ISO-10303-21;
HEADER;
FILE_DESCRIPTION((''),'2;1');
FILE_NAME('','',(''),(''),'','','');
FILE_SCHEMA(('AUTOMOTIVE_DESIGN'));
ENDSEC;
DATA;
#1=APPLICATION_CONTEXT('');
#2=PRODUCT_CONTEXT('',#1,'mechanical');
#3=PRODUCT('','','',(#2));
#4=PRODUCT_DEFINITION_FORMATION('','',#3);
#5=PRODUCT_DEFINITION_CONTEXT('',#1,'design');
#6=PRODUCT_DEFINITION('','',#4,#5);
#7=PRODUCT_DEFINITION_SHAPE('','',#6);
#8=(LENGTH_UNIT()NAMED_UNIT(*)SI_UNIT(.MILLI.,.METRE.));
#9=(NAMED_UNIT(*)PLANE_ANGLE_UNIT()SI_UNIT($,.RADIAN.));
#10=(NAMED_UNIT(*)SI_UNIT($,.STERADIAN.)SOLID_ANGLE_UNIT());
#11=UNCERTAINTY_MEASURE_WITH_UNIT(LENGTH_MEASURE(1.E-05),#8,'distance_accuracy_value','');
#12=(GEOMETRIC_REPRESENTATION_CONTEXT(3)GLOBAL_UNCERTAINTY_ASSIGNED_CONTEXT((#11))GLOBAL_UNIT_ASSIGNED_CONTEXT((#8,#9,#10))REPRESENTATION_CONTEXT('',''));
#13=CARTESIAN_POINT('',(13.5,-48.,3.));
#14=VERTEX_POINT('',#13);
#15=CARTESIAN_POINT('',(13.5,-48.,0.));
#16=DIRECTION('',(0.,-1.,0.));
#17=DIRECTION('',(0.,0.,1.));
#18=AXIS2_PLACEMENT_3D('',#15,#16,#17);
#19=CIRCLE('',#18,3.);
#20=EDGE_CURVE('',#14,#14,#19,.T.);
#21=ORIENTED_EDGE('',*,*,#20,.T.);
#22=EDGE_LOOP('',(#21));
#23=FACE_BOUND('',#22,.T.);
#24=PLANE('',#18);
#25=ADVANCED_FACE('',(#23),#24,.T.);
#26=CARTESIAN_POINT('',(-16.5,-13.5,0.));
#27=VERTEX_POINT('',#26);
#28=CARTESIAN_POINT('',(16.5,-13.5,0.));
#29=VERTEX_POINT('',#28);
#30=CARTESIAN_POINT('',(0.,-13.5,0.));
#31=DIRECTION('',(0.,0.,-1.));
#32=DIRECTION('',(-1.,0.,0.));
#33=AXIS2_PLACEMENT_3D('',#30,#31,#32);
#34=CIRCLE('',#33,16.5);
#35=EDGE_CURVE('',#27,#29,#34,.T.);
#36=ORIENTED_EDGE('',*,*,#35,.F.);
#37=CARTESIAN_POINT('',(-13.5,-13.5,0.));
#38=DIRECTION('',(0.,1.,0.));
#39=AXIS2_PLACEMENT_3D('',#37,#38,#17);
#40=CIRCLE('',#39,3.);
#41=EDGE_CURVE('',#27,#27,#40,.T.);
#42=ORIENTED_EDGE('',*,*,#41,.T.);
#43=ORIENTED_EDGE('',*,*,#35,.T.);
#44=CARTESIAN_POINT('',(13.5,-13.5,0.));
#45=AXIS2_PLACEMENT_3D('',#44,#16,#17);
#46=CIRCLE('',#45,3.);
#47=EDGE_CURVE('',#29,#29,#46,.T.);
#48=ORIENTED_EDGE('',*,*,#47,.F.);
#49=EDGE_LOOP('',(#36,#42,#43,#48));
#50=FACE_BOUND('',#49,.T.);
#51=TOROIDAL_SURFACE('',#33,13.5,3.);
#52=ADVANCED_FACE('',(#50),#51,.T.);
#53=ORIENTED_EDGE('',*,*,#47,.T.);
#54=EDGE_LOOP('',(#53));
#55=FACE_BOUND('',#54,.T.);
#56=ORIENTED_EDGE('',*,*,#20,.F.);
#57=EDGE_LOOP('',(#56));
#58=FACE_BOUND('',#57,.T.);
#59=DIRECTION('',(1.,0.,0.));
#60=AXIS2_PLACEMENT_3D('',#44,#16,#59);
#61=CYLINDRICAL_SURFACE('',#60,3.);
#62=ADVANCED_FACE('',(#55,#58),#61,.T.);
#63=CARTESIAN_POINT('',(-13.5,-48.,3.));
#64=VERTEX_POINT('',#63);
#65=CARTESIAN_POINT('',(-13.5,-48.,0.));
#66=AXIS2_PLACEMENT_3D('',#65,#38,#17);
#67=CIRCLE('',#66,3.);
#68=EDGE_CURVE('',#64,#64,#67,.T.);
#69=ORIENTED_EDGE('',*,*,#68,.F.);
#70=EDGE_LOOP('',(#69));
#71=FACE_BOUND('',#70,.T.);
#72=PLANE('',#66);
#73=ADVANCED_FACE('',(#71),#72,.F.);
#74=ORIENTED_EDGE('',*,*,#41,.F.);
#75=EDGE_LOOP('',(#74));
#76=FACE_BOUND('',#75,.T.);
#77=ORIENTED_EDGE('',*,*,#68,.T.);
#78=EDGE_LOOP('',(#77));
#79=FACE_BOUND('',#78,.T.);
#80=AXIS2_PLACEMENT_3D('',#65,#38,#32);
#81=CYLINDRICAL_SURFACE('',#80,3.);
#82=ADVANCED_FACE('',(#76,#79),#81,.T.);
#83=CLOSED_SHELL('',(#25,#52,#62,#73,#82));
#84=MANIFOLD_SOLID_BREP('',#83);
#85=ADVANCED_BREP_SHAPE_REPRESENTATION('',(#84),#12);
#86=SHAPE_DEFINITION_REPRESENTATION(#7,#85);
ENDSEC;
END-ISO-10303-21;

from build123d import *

# Parameters (mm, degrees)
SKETCH2_R = 3


with BuildPart() as part:
    # Sweep1: sweep along a path in Sketch1
    with BuildLine(Plane.XY) as sweep1_path:
        Line((-13.5, -48), (-13.5, -13.5))
        ThreePointArc((-13.5, -13.5), (0, 0), (13.5, -13.5))
        Line((13.5, -13.5), (13.5, -48))
    # Sketch2 → Sweep1 (sweep)
    with BuildSketch(Plane(origin=(0, -48, 0), x_dir=(1, 0, 0), z_dir=(0, 1, 0))):
        with Locations((-13.5, 0)):
            Circle(SKETCH2_R)
    sweep(path=sweep1_path.line)


solid = part.part
